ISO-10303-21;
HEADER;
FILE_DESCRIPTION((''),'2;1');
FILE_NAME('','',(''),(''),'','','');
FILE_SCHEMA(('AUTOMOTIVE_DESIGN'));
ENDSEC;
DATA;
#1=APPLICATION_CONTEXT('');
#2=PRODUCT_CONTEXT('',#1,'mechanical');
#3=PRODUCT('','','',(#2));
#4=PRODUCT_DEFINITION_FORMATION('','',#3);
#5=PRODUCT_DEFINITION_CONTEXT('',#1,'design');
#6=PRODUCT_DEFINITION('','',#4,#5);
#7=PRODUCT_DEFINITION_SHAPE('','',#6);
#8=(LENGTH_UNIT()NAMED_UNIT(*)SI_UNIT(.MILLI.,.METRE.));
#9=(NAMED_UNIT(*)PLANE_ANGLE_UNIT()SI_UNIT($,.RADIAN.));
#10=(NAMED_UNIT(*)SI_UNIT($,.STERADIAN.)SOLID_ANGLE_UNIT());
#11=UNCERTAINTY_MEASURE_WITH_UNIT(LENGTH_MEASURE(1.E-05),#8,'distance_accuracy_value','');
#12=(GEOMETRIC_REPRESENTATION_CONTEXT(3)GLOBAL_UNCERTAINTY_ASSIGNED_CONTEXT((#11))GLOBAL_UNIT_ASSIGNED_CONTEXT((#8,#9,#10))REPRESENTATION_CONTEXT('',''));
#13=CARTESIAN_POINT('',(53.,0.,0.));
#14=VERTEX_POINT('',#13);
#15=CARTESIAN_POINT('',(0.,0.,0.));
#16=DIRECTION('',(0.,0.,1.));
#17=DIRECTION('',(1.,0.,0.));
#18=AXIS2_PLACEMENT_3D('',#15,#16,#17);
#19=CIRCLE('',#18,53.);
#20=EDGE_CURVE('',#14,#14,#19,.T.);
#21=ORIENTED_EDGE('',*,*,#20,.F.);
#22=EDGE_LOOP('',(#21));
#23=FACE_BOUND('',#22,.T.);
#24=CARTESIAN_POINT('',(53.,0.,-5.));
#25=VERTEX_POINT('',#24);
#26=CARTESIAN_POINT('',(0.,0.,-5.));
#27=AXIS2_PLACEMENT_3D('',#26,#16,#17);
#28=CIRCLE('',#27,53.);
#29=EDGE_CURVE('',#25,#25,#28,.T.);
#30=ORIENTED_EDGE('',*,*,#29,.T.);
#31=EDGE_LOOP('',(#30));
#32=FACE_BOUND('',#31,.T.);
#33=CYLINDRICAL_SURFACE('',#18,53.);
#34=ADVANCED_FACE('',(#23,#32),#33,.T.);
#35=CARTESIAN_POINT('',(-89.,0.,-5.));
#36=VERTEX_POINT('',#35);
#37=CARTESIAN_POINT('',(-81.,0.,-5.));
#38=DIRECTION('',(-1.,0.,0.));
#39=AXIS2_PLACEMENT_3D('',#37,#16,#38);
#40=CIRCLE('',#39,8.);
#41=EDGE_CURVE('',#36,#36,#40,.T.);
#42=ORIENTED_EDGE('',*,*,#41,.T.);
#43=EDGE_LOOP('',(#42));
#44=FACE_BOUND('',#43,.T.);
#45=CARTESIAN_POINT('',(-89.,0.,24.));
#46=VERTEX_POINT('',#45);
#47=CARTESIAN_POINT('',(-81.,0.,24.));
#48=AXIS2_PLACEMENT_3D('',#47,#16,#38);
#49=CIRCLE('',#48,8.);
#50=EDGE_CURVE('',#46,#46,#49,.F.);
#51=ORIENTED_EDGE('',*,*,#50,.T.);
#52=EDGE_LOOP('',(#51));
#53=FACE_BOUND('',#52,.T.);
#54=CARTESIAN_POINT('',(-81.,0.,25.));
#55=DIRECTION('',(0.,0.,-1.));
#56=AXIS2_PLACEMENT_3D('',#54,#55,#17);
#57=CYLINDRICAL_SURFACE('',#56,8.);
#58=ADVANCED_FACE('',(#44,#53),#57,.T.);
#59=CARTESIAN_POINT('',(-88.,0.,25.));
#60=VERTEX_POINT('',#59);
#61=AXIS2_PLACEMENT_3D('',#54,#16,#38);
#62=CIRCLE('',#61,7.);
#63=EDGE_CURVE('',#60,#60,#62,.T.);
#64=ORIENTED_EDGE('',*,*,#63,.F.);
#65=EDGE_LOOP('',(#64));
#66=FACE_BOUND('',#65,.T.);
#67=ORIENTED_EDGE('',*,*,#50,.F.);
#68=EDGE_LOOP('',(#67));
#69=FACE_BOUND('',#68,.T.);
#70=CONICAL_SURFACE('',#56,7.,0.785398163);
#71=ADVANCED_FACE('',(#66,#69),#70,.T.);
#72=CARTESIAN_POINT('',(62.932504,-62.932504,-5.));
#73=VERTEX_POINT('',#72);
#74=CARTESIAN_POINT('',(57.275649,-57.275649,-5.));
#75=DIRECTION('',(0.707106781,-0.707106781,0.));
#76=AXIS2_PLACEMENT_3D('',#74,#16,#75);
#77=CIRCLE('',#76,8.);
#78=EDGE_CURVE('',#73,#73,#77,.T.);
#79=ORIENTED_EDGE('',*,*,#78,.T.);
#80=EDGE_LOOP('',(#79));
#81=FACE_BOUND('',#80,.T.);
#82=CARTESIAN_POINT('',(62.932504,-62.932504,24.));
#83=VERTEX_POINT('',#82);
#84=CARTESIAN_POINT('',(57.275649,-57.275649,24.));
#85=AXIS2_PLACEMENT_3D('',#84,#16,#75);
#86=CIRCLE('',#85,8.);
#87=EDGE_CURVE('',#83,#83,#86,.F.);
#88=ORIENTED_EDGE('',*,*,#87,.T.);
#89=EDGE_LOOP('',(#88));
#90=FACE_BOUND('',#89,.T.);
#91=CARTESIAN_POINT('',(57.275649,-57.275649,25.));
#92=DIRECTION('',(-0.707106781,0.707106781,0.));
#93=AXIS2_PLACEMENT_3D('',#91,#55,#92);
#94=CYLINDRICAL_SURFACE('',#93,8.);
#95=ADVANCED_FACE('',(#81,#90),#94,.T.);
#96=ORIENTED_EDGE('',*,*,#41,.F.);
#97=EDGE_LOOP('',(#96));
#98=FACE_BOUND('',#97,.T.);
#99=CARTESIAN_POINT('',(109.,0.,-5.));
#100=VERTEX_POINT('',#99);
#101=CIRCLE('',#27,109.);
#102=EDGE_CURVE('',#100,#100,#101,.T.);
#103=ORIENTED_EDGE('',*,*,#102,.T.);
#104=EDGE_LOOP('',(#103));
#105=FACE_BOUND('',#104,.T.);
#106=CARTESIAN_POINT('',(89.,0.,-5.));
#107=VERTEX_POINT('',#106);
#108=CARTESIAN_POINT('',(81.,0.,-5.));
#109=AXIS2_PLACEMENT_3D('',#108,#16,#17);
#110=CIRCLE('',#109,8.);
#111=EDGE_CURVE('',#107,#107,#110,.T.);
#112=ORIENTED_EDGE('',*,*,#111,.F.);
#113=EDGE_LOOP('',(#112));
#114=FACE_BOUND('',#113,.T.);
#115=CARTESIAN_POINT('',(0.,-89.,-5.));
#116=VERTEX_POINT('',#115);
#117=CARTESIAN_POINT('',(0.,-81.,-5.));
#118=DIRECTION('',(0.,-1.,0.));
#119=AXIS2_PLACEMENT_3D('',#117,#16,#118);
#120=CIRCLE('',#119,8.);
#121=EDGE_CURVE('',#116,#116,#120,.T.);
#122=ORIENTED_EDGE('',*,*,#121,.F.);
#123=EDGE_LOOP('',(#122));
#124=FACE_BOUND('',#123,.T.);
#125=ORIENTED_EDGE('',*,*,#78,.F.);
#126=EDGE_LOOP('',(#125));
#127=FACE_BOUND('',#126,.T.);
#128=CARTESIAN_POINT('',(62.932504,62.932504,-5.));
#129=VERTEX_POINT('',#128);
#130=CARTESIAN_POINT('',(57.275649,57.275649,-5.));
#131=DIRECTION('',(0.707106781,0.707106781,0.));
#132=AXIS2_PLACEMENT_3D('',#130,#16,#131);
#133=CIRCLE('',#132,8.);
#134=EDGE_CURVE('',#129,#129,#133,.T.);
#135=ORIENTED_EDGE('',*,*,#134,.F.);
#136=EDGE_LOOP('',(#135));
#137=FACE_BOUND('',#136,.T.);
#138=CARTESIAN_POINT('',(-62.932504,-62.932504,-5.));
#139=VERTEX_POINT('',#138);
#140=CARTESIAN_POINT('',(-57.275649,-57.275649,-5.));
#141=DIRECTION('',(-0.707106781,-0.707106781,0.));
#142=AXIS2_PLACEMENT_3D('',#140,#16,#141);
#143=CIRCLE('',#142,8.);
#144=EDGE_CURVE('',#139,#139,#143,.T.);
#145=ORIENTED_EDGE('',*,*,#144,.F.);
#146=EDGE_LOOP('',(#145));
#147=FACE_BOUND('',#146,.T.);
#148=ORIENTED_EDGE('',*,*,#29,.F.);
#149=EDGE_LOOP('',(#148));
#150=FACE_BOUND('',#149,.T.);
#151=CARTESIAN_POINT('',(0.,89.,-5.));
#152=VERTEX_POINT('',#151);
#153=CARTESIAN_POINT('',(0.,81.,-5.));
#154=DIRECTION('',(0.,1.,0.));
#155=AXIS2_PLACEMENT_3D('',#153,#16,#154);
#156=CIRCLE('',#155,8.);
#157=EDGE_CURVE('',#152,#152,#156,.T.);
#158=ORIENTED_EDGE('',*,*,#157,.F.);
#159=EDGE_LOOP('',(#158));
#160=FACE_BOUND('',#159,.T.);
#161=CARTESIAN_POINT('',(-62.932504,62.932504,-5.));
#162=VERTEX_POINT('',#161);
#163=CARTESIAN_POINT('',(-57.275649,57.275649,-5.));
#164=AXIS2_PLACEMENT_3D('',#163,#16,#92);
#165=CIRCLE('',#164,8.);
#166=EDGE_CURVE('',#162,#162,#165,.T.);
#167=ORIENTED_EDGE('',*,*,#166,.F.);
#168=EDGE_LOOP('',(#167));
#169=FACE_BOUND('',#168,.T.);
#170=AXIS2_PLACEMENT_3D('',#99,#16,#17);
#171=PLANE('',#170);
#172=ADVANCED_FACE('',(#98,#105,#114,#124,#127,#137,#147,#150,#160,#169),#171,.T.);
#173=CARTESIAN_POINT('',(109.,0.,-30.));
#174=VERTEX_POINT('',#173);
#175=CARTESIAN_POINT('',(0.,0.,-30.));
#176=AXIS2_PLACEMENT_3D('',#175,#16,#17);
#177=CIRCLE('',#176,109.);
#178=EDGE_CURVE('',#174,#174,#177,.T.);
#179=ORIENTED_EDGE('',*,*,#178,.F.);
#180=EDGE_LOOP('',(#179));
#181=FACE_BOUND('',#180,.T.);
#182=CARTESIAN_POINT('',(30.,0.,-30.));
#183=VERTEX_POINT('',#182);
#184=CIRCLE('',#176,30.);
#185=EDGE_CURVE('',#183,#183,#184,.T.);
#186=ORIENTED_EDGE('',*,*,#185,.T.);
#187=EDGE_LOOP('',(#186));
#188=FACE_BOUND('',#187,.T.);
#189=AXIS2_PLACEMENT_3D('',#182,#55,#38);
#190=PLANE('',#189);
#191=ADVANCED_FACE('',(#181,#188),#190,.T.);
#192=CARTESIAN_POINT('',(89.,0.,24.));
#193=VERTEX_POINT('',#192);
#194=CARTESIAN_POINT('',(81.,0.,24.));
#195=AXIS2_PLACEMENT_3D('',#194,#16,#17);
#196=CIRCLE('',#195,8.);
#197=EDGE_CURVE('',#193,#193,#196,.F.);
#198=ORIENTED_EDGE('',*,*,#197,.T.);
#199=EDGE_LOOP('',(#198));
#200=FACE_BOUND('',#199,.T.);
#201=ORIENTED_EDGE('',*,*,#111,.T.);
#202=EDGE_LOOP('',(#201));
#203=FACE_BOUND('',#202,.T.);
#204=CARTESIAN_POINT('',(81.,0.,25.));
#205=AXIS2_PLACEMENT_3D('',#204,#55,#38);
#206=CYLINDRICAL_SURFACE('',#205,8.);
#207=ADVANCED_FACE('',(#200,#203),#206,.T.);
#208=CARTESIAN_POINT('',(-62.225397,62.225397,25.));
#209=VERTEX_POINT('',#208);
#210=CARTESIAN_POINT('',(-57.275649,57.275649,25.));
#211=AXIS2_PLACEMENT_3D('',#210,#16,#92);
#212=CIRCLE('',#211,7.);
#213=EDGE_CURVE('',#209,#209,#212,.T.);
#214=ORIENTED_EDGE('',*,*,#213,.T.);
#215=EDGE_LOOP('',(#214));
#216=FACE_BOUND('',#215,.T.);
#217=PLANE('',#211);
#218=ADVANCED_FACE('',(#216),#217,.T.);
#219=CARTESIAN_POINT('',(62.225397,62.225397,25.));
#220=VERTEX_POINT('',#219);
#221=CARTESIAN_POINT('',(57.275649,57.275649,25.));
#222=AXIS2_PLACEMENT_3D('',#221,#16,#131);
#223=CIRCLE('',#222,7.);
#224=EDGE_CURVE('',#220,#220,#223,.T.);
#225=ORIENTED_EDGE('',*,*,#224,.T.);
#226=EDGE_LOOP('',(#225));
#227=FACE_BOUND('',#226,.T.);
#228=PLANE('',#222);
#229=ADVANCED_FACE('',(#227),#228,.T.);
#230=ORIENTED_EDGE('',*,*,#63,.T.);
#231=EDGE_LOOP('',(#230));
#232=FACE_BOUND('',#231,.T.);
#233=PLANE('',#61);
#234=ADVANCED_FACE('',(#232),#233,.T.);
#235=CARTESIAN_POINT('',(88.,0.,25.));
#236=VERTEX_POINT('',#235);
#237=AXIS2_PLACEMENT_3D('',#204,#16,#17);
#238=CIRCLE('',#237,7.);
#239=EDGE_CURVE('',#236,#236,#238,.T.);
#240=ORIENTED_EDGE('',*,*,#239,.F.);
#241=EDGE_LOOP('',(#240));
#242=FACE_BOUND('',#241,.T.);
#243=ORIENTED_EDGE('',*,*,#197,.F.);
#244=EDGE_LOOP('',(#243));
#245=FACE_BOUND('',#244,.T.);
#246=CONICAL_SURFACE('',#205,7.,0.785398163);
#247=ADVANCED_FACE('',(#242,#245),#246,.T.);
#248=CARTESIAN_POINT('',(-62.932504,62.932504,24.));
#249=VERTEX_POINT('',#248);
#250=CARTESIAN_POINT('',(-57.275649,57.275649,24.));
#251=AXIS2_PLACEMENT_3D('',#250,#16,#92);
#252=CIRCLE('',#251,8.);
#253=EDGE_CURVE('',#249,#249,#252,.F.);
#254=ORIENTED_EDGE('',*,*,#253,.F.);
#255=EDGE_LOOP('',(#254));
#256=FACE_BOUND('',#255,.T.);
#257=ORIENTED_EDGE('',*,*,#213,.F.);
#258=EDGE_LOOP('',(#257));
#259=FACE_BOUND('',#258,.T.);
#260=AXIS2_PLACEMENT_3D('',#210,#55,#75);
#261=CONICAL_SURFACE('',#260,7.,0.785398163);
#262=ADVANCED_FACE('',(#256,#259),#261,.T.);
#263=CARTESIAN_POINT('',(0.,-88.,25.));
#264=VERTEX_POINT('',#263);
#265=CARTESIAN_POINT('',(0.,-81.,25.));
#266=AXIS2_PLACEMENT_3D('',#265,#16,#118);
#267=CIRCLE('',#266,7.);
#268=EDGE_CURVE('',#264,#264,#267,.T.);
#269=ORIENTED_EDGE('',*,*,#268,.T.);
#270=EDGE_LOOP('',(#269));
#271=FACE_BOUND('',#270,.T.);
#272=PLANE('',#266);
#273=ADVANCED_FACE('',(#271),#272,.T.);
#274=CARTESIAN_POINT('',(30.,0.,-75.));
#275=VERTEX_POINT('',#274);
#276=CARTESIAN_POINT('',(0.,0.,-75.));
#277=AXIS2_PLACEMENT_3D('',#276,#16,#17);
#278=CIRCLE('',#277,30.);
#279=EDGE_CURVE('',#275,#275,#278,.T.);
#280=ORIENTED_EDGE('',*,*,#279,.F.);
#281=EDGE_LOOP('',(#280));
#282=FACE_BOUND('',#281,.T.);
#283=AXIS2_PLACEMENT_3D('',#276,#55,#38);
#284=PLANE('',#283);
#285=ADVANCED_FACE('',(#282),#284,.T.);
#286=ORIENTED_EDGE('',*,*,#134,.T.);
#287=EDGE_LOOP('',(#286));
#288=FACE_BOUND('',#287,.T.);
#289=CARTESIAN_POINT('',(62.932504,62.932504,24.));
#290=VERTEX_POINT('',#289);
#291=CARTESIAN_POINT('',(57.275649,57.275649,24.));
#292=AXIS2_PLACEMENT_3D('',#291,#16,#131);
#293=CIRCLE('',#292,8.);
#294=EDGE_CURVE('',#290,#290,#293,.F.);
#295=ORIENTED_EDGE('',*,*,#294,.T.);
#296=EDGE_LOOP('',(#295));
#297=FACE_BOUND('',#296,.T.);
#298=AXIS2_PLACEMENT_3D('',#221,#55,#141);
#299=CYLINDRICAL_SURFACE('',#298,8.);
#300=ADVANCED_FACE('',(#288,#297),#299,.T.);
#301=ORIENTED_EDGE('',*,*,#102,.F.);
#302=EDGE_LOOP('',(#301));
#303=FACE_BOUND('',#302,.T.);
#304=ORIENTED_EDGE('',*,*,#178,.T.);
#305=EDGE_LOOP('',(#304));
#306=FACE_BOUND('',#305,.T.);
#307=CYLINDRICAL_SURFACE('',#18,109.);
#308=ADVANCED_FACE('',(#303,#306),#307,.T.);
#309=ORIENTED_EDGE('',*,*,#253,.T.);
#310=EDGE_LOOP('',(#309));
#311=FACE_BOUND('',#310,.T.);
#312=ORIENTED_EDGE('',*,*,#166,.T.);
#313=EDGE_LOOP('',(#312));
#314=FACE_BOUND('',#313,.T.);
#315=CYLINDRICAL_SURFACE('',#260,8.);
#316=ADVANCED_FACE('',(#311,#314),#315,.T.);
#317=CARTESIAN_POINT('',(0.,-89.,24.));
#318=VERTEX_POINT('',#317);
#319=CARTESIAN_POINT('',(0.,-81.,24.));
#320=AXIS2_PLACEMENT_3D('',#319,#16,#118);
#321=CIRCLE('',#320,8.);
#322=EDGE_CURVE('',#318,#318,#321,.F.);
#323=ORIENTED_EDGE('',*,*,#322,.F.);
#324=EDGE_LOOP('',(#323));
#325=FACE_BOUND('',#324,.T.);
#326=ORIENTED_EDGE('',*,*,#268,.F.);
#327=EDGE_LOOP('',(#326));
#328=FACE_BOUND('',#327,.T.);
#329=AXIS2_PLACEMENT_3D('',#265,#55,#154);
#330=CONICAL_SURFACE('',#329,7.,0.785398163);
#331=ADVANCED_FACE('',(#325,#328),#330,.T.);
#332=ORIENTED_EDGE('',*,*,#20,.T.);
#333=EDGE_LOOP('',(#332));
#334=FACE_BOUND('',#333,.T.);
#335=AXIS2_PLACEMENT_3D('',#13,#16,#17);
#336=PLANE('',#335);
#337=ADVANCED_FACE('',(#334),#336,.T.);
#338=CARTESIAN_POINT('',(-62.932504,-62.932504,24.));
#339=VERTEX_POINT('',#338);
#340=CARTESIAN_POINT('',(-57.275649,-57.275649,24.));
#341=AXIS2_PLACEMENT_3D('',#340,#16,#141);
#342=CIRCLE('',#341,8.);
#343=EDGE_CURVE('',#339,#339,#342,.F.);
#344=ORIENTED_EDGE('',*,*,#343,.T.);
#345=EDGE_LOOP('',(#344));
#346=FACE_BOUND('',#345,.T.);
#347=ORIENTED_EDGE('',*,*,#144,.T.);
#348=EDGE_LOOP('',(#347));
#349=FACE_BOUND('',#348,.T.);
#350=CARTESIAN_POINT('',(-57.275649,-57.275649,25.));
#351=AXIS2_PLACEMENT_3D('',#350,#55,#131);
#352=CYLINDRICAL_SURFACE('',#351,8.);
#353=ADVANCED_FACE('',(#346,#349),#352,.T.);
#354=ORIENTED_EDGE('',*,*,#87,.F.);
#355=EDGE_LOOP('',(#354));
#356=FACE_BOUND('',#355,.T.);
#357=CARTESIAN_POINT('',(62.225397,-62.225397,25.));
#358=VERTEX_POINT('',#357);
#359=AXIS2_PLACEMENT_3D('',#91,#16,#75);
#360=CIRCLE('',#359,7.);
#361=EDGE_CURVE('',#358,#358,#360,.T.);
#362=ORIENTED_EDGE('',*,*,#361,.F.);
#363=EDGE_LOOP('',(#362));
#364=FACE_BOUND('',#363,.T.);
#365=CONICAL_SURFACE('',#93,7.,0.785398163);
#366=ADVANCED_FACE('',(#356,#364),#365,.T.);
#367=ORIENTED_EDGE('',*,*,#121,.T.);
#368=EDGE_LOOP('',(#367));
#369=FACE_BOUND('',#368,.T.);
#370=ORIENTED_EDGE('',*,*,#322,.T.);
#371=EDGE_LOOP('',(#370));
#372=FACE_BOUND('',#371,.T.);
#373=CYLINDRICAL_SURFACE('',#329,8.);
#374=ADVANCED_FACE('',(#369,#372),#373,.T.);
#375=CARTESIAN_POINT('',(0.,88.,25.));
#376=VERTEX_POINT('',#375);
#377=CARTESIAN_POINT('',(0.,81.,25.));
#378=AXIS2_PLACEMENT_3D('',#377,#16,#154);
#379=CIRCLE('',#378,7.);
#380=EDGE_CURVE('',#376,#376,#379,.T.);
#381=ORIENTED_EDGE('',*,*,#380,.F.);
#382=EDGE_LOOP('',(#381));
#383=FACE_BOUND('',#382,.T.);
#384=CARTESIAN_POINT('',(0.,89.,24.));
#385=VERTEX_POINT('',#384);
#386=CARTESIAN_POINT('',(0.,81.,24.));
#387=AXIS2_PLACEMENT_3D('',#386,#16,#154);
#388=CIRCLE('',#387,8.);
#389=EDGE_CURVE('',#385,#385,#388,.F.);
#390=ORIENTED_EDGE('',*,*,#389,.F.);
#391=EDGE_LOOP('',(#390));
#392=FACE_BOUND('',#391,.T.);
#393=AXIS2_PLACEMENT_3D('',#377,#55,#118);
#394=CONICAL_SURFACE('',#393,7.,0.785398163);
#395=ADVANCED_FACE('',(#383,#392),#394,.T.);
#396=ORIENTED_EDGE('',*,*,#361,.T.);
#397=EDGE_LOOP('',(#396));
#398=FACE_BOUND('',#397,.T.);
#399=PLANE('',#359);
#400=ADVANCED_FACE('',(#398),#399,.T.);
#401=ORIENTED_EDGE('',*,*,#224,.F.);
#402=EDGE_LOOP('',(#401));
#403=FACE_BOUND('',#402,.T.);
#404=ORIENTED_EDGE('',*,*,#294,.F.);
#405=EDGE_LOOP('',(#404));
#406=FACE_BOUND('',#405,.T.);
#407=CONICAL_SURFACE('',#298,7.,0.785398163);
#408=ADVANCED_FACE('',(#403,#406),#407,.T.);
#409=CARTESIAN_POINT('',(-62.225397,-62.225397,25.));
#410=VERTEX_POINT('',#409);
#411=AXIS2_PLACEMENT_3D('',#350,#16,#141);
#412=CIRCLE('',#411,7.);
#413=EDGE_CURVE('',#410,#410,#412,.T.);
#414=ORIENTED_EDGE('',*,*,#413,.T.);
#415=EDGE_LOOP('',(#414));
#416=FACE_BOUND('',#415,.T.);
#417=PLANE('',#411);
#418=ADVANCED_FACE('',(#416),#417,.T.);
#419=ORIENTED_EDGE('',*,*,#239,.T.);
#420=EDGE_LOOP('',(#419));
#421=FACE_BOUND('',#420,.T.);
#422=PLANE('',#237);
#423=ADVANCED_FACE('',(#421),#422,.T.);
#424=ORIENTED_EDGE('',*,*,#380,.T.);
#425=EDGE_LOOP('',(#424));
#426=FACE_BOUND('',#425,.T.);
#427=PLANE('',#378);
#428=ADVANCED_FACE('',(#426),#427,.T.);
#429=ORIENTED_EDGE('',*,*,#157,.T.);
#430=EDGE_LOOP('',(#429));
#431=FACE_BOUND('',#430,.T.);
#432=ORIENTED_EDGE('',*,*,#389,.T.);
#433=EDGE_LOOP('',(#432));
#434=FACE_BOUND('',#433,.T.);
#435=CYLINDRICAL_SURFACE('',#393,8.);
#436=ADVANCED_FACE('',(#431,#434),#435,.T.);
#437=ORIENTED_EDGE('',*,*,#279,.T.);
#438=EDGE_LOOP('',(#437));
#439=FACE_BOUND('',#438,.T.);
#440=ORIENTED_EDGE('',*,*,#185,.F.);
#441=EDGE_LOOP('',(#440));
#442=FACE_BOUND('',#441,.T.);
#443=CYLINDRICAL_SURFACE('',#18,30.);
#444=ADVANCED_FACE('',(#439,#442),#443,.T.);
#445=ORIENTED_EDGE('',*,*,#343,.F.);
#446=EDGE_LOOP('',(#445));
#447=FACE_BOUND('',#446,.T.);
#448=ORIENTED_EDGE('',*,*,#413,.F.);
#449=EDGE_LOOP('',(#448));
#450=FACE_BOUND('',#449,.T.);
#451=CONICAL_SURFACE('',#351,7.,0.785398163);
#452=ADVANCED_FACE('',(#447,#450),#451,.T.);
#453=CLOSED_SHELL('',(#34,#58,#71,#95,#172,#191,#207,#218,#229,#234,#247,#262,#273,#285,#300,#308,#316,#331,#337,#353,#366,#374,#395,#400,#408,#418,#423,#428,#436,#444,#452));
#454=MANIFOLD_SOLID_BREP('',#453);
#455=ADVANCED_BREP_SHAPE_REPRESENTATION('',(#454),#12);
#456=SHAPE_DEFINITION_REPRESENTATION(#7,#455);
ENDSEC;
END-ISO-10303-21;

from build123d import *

# Parameters (mm, degrees)
SKETCH2_R                    = 8
BOSS_EXTRUDE1_DEPTH          = 30
CHAMFER1_SIZE                = 1
CIRPATTERN1_COUNT            = 8
CHAMFER1_OF_CIRPATTERN1_SIZE = 1


with BuildPart() as part:
    # Sketch1 → Revolve1 (revolve)
    with BuildSketch(Plane(origin=(0, 0, 0), x_dir=(1, 0, 0), z_dir=(0, 1, 0))):
        Polygon((0, 0), (0, 75), (30, 75), (30, 30), (109, 30), (109, 5), (53, 5), (53, 0), align=None)
    revolve(axis=Axis((0, 0, 0), (0, 0, -1)))

    # Sketch2 → Boss-Extrude1 (add)
    with BuildSketch(Plane.XY.offset(-5)):
        with Locations((81, 0)):
            Circle(SKETCH2_R)
    boss_extrude1 = extrude(amount=BOSS_EXTRUDE1_DEPTH)

    # Chamfer1
    chamfer1_edges = [part.edges().sort_by_distance(p)[0] for p in [
        (73, 0, 25),
    ]]
    chamfer(chamfer1_edges, length=CHAMFER1_SIZE)

    # CirPattern1: Boss-Extrude1 ×8 about axis
    cirpattern1_axis = Axis((0, 0, 0), (0, 0, 1))
    for i in range(1, CIRPATTERN1_COUNT):
        add(boss_extrude1.rotate(cirpattern1_axis, i * 360 / CIRPATTERN1_COUNT))

    # Chamfer1 of CirPattern1
    chamfer1_of_cirpattern1_edges = [part.edges().sort_by_distance(p)[0] for p in [
        (51.618795027, 51.618795027, 25),
        (0, 73, 25),
        (-51.618795027, 51.618795027, 25),
        (-73, 0, 25),
        (-51.618795027, -51.618795027, 25),
        (0, -73, 25),
        (51.618795027, -51.618795027, 25),
    ]]
    chamfer(chamfer1_of_cirpattern1_edges, length=CHAMFER1_OF_CIRPATTERN1_SIZE)


solid = part.part
